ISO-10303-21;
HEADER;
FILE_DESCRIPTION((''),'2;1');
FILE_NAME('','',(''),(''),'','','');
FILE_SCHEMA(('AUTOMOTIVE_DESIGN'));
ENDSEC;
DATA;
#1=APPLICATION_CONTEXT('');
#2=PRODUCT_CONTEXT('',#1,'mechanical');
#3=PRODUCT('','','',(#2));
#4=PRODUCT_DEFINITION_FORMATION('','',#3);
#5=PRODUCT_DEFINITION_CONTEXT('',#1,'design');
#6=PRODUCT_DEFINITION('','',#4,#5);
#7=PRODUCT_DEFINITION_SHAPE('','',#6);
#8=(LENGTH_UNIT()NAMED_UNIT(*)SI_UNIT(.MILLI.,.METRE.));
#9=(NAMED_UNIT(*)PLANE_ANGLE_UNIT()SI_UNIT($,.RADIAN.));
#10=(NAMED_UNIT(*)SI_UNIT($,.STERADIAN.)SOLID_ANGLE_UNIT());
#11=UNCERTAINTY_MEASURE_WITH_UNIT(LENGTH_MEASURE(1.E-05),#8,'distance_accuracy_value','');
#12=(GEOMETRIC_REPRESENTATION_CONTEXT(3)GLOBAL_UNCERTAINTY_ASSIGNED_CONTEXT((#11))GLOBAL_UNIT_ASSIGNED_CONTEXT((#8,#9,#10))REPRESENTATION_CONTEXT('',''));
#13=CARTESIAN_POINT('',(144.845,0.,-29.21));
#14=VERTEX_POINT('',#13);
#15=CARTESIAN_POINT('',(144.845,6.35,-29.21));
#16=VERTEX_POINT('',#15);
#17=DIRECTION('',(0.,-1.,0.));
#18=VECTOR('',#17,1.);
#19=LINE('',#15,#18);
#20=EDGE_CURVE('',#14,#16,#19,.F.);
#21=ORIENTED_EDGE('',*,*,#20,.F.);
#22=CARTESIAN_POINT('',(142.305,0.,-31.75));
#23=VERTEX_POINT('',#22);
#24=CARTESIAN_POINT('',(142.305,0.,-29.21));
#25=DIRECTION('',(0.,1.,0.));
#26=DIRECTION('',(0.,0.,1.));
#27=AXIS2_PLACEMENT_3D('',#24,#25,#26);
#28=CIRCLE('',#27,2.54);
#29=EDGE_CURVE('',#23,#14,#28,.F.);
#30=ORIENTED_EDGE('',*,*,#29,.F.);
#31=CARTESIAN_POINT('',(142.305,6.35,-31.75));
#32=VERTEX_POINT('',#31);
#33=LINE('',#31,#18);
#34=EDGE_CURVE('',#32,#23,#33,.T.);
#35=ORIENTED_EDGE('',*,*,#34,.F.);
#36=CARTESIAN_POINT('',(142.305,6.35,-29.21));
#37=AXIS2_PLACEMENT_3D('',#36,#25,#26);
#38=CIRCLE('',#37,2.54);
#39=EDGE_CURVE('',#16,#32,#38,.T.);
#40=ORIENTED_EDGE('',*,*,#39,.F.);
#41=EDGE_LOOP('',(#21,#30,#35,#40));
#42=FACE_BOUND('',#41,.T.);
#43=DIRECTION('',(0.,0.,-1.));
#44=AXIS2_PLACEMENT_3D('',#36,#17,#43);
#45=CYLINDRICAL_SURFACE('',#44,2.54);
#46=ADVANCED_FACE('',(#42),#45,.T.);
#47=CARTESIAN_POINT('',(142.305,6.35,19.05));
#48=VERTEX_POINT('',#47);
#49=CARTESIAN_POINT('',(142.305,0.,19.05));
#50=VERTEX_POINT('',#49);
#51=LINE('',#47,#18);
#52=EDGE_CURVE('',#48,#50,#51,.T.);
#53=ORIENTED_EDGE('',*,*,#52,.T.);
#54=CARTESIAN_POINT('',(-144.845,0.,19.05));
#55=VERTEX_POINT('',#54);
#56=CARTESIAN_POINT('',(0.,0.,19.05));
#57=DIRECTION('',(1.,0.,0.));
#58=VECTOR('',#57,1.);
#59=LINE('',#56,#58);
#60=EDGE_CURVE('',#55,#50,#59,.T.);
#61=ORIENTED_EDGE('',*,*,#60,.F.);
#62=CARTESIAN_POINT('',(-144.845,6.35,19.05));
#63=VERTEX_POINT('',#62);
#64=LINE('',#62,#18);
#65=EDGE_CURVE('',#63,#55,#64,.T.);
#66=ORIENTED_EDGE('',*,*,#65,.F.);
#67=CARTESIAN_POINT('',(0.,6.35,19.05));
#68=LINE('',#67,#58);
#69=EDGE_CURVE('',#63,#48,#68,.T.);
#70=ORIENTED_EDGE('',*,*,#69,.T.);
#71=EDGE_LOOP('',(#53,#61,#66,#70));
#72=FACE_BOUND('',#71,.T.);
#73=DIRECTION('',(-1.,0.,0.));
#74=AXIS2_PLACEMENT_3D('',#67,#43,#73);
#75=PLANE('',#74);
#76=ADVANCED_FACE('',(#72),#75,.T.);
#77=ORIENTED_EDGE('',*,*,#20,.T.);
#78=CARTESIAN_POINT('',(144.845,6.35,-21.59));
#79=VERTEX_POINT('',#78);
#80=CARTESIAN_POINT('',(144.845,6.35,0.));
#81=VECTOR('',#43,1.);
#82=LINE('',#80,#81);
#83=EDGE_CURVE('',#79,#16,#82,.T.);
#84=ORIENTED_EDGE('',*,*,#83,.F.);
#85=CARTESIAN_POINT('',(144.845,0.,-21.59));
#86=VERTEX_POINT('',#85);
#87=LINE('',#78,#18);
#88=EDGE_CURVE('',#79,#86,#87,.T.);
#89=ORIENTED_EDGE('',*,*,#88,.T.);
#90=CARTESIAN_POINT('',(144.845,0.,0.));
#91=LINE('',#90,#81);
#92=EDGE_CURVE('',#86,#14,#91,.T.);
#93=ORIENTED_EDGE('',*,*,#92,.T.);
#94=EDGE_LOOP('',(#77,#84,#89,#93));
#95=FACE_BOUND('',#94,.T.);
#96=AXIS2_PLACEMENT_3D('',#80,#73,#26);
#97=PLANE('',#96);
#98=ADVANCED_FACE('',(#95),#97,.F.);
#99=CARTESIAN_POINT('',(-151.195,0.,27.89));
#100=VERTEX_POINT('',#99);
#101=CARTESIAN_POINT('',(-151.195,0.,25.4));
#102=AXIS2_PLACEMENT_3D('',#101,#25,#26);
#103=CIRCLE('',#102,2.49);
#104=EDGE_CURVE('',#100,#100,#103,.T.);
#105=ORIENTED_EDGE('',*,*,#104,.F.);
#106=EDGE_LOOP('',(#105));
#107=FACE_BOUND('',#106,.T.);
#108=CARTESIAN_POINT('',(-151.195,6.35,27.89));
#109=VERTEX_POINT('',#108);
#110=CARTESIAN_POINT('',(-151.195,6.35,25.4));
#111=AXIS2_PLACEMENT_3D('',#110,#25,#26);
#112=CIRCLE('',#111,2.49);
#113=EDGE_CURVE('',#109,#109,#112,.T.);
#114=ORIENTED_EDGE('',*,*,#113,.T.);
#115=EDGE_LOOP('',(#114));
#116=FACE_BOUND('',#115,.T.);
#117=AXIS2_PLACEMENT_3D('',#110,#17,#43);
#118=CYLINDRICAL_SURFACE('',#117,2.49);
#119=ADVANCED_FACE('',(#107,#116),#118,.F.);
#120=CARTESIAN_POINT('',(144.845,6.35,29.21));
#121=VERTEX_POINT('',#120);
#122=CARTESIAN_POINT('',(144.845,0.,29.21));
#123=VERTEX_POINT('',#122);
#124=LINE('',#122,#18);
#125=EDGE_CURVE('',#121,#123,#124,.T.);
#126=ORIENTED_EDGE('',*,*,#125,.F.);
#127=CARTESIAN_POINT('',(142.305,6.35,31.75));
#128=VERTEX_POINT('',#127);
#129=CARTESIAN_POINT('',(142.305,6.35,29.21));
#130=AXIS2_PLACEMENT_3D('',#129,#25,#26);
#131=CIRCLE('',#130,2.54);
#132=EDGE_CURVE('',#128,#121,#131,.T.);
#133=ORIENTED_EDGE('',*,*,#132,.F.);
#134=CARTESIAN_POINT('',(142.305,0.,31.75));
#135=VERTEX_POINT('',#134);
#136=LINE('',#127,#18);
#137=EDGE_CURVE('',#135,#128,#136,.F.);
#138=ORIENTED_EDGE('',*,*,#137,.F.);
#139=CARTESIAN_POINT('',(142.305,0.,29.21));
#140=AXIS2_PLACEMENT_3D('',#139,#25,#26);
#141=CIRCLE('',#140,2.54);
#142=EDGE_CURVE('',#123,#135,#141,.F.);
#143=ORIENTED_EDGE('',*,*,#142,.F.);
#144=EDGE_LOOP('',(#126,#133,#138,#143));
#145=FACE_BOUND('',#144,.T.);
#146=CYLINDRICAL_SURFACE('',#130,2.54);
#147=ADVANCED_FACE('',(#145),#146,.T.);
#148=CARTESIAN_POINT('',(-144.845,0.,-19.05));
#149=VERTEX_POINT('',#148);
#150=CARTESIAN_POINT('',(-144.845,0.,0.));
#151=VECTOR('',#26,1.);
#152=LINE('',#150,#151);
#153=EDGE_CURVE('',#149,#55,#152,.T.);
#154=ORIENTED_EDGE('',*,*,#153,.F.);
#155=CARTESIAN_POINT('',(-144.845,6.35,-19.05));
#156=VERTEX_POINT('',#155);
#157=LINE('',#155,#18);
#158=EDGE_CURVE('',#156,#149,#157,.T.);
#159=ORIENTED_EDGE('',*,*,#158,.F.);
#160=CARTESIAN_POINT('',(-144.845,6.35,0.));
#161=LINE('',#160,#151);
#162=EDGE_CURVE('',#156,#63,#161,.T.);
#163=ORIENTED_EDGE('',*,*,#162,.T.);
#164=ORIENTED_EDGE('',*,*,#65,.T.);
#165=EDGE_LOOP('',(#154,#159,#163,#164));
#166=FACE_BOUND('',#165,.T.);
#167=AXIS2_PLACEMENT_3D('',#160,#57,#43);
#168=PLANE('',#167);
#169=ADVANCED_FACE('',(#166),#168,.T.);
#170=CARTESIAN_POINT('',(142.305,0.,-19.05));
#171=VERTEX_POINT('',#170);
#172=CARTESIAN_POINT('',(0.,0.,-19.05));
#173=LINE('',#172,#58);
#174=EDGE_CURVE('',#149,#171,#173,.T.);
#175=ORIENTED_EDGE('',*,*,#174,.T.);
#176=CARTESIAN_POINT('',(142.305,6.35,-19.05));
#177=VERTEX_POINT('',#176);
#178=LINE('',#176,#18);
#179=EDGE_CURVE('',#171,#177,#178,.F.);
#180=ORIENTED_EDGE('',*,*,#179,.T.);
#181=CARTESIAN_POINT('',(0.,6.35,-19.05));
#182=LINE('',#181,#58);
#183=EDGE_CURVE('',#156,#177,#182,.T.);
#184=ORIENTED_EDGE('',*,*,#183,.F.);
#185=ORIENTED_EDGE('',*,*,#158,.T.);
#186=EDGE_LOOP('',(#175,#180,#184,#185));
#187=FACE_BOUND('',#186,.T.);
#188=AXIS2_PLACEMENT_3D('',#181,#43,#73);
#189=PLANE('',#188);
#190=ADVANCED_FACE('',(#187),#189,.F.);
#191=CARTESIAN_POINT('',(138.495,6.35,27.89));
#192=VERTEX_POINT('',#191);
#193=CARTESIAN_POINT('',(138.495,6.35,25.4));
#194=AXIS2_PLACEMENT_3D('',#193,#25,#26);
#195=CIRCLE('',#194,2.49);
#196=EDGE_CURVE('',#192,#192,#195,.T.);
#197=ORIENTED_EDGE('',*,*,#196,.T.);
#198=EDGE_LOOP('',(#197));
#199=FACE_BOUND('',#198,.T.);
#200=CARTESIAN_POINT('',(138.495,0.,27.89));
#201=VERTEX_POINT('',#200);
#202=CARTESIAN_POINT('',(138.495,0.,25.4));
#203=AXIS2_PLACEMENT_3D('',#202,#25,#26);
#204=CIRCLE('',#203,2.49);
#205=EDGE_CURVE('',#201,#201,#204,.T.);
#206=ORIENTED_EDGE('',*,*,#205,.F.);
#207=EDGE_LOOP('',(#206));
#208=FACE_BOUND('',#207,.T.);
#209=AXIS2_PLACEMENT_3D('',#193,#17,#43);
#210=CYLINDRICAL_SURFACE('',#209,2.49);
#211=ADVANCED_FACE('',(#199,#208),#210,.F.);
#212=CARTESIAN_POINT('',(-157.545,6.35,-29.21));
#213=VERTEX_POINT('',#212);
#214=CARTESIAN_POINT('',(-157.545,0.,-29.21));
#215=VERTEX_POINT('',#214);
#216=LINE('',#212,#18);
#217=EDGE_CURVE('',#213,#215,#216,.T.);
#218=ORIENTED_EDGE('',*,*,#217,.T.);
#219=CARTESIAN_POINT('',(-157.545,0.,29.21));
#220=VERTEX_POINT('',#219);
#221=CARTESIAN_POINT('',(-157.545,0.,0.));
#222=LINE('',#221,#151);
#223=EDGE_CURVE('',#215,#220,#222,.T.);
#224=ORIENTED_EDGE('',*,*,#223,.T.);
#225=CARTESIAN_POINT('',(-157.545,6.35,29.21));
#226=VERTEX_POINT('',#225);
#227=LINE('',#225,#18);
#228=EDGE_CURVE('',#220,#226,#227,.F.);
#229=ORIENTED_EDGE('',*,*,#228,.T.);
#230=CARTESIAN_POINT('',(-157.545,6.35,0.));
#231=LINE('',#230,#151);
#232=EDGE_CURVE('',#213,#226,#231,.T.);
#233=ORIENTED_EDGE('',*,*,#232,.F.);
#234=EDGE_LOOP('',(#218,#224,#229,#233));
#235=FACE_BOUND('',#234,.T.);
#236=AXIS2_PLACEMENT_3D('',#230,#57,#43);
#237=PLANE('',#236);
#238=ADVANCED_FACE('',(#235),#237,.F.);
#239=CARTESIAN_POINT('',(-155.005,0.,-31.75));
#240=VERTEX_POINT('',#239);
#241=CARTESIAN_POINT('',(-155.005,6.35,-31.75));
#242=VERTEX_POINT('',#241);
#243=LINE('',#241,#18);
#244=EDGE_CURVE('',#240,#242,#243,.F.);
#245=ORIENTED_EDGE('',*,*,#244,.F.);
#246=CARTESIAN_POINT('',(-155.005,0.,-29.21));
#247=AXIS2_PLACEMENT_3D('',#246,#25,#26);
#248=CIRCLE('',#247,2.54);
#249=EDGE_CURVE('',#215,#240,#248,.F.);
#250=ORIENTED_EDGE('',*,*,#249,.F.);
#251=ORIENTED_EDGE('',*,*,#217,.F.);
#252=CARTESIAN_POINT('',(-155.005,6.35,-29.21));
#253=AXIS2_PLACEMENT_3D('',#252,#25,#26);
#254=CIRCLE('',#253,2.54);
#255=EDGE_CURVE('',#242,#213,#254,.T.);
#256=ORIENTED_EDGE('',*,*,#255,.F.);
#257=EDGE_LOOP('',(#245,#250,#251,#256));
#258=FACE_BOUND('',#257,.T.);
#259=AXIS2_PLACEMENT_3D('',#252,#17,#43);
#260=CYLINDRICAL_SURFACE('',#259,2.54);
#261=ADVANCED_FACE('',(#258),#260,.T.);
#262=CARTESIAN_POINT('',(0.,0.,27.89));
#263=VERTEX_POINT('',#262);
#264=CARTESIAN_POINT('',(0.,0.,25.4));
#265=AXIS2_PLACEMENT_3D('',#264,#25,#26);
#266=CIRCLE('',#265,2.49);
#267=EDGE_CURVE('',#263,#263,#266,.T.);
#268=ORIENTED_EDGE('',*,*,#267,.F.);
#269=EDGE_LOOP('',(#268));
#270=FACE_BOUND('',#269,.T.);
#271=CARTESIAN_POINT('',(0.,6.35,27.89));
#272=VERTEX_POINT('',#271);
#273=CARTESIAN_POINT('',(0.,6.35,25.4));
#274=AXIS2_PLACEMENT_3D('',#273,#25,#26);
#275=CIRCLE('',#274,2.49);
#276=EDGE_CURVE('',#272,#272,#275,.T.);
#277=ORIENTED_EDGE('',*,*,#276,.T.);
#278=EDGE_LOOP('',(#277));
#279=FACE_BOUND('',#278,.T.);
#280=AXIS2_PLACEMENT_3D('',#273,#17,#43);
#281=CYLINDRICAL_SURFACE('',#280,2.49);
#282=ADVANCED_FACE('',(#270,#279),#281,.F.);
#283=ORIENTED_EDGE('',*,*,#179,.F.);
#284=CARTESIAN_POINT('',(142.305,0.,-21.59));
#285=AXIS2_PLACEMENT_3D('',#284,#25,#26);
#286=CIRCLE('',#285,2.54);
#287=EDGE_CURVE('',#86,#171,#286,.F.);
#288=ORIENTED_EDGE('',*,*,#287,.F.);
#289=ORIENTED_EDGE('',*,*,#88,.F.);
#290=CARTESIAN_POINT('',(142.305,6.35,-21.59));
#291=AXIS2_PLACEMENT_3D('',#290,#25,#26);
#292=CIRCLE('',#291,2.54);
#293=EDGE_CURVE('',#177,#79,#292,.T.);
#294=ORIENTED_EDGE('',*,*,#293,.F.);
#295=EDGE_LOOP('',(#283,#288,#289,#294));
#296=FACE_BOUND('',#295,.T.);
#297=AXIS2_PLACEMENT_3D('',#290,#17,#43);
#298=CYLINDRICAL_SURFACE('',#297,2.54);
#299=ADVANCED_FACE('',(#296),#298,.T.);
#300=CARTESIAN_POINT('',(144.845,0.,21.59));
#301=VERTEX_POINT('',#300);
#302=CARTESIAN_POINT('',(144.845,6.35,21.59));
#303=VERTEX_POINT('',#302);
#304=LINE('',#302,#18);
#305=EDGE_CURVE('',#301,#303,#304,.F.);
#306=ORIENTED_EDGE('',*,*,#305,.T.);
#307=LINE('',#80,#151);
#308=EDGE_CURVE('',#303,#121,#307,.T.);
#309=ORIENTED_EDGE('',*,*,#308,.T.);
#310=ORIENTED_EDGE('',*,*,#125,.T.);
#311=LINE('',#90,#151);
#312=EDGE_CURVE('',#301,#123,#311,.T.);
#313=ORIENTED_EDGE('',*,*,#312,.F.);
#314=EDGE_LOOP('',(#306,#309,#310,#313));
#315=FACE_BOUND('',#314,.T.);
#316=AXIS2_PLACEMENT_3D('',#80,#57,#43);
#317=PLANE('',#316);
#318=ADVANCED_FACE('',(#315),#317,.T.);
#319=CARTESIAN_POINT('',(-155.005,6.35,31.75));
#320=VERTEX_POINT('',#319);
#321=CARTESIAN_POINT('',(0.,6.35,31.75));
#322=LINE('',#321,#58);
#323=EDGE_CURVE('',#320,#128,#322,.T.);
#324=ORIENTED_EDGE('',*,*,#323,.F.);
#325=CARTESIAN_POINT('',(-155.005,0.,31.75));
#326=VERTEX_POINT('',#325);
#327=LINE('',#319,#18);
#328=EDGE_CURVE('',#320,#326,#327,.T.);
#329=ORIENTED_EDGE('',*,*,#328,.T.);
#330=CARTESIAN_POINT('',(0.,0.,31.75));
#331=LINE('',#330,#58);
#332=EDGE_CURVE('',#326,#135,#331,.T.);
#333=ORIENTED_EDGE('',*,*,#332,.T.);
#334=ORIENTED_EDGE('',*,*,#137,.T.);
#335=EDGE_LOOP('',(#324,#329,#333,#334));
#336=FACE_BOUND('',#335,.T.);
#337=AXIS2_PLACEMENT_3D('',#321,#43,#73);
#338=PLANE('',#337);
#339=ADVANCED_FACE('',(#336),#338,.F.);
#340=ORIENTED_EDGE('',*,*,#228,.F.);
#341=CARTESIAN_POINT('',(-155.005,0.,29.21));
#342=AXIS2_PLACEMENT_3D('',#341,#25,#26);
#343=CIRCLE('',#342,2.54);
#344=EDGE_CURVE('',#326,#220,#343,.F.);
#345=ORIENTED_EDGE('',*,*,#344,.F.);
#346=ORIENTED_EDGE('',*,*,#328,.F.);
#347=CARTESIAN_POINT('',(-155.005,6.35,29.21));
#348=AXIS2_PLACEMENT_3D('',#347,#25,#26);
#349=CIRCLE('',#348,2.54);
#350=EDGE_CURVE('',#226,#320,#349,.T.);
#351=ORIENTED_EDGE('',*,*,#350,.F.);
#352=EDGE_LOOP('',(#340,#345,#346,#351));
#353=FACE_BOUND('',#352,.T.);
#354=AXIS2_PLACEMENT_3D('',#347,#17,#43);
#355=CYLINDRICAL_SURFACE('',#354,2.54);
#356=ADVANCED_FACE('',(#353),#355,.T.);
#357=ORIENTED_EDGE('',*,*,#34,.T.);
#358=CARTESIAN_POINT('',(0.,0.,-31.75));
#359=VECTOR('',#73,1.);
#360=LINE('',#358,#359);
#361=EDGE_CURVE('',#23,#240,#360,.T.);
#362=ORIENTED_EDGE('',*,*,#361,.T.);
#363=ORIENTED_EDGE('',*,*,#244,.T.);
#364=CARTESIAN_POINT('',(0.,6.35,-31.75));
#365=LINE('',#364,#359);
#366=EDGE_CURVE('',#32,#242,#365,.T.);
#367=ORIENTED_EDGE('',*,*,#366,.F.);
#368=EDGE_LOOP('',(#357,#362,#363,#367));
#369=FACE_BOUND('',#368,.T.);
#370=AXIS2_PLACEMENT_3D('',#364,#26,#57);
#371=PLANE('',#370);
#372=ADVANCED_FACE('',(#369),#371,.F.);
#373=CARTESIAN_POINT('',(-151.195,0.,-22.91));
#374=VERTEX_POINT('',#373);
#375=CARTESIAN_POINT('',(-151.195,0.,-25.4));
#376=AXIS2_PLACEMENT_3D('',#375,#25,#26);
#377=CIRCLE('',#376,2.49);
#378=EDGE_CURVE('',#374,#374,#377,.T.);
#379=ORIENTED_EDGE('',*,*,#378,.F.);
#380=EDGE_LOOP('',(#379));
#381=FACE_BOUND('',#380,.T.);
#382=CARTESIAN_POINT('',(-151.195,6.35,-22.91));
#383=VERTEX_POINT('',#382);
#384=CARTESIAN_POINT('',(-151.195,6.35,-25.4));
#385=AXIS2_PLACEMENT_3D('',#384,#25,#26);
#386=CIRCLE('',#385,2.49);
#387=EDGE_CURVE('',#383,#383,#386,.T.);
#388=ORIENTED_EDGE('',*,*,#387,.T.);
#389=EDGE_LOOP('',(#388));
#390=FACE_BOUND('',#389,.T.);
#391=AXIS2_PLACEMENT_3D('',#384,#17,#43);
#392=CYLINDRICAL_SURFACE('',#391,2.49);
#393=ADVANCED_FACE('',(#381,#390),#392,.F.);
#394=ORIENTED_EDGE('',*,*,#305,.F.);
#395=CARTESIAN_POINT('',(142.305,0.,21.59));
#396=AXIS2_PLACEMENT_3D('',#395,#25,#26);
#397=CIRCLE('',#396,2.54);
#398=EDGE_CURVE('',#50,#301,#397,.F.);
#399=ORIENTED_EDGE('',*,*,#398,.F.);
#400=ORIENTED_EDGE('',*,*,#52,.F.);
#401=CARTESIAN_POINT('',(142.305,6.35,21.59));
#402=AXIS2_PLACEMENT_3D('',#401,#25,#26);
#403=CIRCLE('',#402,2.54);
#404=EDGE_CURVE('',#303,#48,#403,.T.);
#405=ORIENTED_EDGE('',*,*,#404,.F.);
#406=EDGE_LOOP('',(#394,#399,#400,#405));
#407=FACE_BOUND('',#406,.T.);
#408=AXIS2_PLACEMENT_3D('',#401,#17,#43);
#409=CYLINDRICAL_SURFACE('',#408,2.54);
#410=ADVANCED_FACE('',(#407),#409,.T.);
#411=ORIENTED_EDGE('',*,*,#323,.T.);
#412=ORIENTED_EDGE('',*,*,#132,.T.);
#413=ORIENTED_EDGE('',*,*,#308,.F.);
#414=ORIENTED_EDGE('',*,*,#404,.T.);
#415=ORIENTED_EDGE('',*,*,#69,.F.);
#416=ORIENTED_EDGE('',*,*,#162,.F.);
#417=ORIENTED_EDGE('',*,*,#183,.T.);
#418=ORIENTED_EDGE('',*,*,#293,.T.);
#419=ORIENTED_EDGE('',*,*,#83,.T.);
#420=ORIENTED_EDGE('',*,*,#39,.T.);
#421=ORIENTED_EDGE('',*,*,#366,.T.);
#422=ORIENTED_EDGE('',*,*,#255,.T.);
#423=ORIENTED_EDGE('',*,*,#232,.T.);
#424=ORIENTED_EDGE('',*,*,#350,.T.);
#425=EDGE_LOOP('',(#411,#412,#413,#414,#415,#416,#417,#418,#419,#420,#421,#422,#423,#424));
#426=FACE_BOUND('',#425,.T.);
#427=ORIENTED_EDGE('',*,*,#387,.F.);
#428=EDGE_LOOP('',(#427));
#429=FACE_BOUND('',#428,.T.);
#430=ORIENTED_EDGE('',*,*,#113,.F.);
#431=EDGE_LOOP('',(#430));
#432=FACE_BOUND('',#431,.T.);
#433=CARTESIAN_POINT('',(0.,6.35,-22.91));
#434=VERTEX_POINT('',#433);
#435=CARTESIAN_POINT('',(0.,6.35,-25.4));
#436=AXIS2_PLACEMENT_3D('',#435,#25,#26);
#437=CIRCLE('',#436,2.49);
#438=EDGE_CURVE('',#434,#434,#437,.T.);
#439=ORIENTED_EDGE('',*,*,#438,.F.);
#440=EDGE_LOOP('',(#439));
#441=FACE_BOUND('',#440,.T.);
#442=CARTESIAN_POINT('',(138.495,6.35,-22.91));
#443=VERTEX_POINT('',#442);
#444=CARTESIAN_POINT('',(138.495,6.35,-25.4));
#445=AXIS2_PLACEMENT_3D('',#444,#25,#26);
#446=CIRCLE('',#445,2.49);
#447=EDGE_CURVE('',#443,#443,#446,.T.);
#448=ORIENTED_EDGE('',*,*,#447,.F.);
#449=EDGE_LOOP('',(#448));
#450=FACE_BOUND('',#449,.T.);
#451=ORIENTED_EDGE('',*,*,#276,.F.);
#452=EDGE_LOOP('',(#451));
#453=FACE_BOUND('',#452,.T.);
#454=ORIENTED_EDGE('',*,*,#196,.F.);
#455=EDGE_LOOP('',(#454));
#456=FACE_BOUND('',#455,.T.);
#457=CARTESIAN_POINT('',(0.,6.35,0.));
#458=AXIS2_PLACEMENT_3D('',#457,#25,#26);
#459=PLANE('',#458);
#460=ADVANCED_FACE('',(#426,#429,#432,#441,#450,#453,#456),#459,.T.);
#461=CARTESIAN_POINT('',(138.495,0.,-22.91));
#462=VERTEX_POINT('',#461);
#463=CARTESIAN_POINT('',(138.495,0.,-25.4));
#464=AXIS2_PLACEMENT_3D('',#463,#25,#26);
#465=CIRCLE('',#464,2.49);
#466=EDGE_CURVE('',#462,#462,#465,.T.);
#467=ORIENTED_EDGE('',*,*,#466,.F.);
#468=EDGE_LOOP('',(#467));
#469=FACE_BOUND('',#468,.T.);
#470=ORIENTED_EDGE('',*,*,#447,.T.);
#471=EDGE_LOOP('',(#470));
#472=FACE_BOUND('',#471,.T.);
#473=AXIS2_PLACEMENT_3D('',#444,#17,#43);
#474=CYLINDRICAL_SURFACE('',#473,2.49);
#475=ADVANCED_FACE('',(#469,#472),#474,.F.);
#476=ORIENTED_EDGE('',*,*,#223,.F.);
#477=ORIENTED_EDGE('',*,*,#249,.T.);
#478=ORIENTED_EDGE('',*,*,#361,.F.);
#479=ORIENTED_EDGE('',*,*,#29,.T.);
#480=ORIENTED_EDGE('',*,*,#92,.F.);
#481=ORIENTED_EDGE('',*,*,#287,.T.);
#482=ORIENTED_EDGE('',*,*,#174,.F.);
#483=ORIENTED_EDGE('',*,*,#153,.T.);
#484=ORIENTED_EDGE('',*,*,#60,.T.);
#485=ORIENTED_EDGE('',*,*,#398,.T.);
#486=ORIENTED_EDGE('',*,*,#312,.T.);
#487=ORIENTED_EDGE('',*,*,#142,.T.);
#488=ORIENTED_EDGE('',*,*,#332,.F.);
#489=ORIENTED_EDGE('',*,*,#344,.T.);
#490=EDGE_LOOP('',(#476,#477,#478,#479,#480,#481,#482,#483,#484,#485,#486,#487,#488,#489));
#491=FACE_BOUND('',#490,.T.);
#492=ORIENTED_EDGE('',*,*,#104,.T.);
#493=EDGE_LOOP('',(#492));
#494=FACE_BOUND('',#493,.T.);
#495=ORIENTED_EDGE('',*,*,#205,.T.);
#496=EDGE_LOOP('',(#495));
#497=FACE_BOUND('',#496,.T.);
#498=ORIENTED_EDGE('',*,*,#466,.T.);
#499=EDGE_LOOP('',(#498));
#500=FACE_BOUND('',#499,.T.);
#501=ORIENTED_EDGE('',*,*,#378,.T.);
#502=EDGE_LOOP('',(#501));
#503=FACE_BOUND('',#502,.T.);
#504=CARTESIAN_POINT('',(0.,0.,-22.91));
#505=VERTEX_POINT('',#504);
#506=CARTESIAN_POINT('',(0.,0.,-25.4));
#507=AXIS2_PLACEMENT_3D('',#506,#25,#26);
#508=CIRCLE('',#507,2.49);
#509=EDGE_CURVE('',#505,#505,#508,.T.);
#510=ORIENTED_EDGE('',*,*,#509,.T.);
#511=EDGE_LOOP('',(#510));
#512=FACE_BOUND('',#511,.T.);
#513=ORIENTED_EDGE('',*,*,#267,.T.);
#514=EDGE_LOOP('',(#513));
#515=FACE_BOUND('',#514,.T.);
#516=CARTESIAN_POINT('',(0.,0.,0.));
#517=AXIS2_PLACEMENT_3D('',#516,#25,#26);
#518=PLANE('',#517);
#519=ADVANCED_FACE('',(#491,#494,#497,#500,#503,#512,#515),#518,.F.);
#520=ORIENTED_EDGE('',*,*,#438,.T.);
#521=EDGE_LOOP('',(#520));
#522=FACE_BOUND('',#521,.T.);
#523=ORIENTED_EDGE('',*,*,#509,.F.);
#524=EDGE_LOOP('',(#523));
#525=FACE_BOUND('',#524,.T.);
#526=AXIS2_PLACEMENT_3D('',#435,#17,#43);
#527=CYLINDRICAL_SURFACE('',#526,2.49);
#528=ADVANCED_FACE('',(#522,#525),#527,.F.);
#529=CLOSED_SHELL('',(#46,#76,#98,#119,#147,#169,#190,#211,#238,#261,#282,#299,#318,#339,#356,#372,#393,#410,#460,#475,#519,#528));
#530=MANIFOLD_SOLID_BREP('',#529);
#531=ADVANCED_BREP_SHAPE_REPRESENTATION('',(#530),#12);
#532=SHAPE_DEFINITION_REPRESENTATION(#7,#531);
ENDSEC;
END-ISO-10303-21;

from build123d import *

# Parameters (mm, degrees)
SKETCH1_W           = 289.69
SKETCH1_H           = 12.7
SKETCH1_R           = 2.49
BOSS_EXTRUDE1_DEPTH = 6.35
FILLET1_R           = 2.54


with BuildPart() as part:
    # Sketch1 → Boss-Extrude1 (new body)
    # profile 1 of 3: a face of its own
    with BuildSketch(Plane(origin=(0, 0, 0), x_dir=(1, 0, 0), z_dir=(0, 1, 0))):
        with Locations((0, -25.4)):
            Rectangle(SKETCH1_W, SKETCH1_H)
        with Locations(Location((138.495, -25.4, 0), (0, 0, 270))):
            Circle(SKETCH1_R, mode=Mode.SUBTRACT)
        with Locations(Location((0, -25.4, 0), (0, 0, 270))):
            Circle(SKETCH1_R, mode=Mode.SUBTRACT)
    # profile 2 of 3: a face of its own
    with BuildSketch(Plane(origin=(0, 0, 0), x_dir=(1, 0, 0), z_dir=(0, 1, 0))):
        Polygon((-144.845, 31.75), (-157.545, 31.75), (-157.545, -31.75), (-144.845, -31.75), (-144.845, -19.05), (-144.845, 19.05), align=None)
        with Locations(Location((-151.195, -25.4, 0), (0, 0, 270))):
            Circle(SKETCH1_R, mode=Mode.SUBTRACT)
        with Locations(Location((-151.195, 25.4, 0), (0, 0, 270))):
            Circle(SKETCH1_R, mode=Mode.SUBTRACT)
    # profile 3 of 3: a face of its own
    with BuildSketch(Plane(origin=(0, 0, 0), x_dir=(1, 0, 0), z_dir=(0, 1, 0))):
        with Locations((0, 25.4)):
            Rectangle(SKETCH1_W, SKETCH1_H)
        with Locations(Location((138.495, 25.4, 0), (0, 0, 270))):
            Circle(SKETCH1_R, mode=Mode.SUBTRACT)
        with Locations(Location((0, 25.4, 0), (0, 0, 270))):
            Circle(SKETCH1_R, mode=Mode.SUBTRACT)
    extrude(amount=BOSS_EXTRUDE1_DEPTH)

    # Fillet1
    fillet1_edges = [part.edges().sort_by_distance(p)[0] for p in [
        (144.845, 3.175, 19.05),
        (144.845, 3.175, 31.75),
        (-157.545, 3.175, 31.75),
        (-157.545, 3.175, -31.75),
        (144.845, 3.175, -31.75),
        (144.845, 3.175, -19.05),
    ]]
    fillet(fillet1_edges, radius=FILLET1_R)


solid = part.part
